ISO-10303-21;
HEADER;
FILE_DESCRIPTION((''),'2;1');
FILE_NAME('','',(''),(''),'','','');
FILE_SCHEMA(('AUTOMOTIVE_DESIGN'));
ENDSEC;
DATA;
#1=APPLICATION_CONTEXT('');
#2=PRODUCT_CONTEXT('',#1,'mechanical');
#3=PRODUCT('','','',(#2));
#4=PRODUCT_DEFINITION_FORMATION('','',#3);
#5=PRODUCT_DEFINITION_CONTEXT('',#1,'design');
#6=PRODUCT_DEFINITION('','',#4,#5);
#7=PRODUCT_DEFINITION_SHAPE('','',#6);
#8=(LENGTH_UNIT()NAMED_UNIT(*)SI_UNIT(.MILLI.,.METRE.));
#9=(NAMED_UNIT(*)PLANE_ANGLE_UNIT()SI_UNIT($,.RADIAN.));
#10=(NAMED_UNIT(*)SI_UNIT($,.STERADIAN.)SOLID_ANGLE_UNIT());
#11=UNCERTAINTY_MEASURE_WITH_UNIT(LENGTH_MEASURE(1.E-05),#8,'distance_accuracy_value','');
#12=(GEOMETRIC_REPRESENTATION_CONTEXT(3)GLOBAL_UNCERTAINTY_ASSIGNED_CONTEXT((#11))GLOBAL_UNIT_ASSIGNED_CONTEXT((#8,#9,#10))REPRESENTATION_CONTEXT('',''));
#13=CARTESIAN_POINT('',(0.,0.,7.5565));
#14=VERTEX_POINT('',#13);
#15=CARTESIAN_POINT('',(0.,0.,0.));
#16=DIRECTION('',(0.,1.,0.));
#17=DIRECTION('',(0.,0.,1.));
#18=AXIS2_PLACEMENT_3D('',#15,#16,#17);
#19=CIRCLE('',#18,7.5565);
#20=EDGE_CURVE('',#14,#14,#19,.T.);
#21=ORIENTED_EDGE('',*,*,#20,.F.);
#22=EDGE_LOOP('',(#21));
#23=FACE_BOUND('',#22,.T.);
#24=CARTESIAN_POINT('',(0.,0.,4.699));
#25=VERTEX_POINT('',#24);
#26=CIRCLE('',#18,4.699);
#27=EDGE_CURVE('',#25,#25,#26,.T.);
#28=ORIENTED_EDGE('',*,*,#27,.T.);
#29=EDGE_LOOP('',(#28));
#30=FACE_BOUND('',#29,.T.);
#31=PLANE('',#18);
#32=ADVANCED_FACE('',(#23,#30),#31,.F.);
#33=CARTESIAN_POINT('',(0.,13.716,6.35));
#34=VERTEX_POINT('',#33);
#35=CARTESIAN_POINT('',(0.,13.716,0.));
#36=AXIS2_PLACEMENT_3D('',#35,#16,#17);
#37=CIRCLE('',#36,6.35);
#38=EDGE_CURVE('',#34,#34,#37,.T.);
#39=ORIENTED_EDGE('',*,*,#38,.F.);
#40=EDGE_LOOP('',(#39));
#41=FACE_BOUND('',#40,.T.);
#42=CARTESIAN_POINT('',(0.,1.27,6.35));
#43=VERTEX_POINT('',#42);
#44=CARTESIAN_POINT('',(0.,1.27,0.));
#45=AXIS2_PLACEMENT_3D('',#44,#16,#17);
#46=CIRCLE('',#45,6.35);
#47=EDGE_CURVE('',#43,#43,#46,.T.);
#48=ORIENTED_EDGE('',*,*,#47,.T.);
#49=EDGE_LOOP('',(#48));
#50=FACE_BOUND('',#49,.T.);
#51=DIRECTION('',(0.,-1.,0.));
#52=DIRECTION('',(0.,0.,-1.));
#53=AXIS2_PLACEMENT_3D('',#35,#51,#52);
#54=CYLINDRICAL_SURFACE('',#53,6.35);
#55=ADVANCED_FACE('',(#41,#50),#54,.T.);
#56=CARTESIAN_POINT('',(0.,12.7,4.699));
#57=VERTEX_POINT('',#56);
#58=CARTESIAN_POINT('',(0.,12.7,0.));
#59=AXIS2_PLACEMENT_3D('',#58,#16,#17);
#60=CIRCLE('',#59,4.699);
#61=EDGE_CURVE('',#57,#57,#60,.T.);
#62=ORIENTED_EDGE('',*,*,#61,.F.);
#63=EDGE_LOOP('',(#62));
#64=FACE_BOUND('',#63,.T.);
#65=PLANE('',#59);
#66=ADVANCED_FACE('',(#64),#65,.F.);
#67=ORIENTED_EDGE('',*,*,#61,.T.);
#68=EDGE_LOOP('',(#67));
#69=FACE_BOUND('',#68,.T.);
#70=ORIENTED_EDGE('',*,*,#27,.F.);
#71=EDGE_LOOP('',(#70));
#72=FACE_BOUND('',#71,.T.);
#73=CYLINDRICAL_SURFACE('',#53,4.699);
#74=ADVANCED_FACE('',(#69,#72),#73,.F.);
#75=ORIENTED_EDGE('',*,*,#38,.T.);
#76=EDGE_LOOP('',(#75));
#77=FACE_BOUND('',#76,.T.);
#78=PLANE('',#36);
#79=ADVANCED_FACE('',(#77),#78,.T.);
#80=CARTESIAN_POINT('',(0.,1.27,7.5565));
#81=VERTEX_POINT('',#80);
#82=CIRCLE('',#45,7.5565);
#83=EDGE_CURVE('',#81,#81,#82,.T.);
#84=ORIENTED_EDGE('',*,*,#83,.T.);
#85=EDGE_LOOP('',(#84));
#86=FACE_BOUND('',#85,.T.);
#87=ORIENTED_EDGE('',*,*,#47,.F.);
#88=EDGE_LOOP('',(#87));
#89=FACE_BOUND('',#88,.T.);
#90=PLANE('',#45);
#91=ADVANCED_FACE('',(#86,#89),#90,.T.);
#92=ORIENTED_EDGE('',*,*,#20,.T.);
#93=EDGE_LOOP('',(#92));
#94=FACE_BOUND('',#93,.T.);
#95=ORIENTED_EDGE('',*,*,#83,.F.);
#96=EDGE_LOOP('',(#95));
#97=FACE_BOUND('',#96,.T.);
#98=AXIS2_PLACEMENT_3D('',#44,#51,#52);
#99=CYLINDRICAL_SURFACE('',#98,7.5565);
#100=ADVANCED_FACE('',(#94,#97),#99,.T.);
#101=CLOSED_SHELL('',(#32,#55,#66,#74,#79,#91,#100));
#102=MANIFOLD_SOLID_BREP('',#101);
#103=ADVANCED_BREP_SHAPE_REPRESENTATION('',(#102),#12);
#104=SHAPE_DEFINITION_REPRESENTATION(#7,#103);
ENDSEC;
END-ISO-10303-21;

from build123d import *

# Parameters (mm, degrees)
SKETCH1_R           = 6.35
SKETCH1_R_2         = 4.699
BOSS_EXTRUDE1_DEPTH = 13.716
SKETCH2_R           = 7.5565
SKETCH2_R_2         = 6.096
BOSS_EXTRUDE2_DEPTH = 1.27
SKETCH3_R           = 6.35
BOSS_EXTRUDE3_DEPTH = 1.016


with BuildPart() as part:
    # Sketch1 → Boss-Extrude1 (new body)
    with BuildSketch(Plane(origin=(0, 0, 0), x_dir=(1, 0, 0), z_dir=(0, 1, 0))):
        Circle(SKETCH1_R)
        Circle(SKETCH1_R_2, mode=Mode.SUBTRACT)
    extrude(amount=BOSS_EXTRUDE1_DEPTH)

    # Sketch2 → Boss-Extrude2 (add)
    with BuildSketch(Plane(origin=(0, 0, 0), x_dir=(1, 0, 0), z_dir=(0, 1, 0))):
        Circle(SKETCH2_R)
        Circle(SKETCH2_R_2, mode=Mode.SUBTRACT)
    extrude(amount=BOSS_EXTRUDE2_DEPTH)

    # Sketch3 → Boss-Extrude3 (add)
    with BuildSketch(Plane(origin=(0, 13.716, 0), x_dir=(1, 0, 0), z_dir=(0, 1, 0))):
        Circle(SKETCH3_R)
    extrude(amount=-BOSS_EXTRUDE3_DEPTH)


solid = part.part
